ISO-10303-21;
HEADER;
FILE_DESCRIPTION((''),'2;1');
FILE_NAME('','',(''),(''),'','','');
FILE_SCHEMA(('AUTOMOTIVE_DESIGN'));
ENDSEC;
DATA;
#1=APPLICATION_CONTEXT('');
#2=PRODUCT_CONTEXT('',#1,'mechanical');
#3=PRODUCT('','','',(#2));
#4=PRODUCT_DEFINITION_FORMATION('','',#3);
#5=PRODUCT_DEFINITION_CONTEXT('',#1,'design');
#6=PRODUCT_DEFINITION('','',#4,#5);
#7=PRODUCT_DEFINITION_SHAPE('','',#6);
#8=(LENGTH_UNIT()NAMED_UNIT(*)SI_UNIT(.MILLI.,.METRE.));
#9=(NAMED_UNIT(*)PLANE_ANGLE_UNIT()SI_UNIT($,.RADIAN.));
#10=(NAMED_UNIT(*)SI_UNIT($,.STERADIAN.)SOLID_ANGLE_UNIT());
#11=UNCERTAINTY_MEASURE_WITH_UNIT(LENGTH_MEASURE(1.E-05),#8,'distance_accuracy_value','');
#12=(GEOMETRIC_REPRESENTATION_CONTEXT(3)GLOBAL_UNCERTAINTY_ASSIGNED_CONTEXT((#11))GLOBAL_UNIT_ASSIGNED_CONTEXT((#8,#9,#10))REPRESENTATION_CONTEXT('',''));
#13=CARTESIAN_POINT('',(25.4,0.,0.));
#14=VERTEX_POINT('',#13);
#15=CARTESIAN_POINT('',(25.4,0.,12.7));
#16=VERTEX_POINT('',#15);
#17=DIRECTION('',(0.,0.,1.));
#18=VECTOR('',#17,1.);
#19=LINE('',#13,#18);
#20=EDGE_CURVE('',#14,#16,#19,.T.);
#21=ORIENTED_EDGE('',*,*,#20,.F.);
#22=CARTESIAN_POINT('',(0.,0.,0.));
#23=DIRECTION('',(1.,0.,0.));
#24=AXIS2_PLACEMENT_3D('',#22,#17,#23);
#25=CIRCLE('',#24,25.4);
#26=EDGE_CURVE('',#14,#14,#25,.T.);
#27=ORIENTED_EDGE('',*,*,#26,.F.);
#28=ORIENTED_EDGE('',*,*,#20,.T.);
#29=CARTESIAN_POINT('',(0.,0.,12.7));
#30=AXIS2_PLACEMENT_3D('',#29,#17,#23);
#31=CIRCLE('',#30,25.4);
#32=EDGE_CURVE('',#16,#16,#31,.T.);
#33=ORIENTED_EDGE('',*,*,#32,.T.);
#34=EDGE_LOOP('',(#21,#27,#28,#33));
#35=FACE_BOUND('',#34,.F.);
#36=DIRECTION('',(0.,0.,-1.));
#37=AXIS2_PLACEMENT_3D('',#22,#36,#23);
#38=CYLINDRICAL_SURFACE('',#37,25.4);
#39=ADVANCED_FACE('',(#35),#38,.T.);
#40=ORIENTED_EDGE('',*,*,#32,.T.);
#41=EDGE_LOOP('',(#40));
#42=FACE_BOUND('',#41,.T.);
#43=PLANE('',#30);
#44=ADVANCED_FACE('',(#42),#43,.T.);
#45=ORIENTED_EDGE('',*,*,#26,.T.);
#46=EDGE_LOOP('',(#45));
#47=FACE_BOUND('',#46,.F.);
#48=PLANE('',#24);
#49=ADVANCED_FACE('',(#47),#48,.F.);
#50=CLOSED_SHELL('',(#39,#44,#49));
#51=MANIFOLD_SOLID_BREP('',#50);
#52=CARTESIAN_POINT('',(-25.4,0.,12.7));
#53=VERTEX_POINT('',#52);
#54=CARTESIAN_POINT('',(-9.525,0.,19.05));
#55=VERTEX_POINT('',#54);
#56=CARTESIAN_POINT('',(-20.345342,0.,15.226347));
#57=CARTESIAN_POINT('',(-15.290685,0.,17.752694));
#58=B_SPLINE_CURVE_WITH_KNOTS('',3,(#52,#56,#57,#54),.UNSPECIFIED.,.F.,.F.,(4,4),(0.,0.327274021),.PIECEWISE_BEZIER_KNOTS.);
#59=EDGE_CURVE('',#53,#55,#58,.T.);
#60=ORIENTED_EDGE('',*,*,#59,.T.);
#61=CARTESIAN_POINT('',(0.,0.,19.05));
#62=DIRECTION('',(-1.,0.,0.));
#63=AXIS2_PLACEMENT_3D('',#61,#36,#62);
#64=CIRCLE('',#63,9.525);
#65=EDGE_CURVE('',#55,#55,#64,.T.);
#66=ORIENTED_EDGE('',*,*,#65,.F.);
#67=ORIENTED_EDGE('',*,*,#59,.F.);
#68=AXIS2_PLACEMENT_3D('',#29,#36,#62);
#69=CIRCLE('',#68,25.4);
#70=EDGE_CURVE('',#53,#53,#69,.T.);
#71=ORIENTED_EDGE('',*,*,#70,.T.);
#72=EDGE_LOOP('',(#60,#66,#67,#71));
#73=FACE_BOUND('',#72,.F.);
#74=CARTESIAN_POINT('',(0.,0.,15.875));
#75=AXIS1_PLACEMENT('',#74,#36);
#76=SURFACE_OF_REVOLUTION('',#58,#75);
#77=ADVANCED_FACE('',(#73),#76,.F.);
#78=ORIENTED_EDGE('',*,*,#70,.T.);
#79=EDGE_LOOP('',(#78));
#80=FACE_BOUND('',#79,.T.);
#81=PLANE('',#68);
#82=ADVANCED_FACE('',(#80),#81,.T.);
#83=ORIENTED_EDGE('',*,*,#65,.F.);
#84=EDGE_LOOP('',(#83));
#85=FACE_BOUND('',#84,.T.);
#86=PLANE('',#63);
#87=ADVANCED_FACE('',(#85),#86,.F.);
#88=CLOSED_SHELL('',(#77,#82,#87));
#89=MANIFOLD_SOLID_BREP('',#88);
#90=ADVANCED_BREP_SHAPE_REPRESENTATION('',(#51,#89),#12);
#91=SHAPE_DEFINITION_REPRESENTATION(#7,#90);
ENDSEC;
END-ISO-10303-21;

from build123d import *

# Parameters (mm, degrees)
F0_R     = 25.4
F1_DEPTH = 12.7


with BuildPart() as f1:
    # F0 (on Top) → F1 (new body)
    with BuildSketch(Plane.XY):
        Circle(F0_R)
    extrude(amount=F1_DEPTH)


with BuildPart() as f3:
    # F2 (on Front) → F3 (revolve)
    with BuildSketch(Plane.XZ):
        with BuildLine():
            add(Edge.make_bspline(
                [(-25.4, 12.7), (-20.3453424477, 15.2263469596), (-15.2906848954, 17.7526939191), (-9.525, 19.05)],
                knots=[0, 0, 0, 0, 0.3272740211, 0.3272740211, 0.3272740211, 0.3272740211], degree=3))
            Line((-25.4, 12.7), (-9.525, 12.7))
            Line((-9.525, 12.7), (0, 12.7))
            Line((0, 12.7), (0, 19.05))
            Line((0, 19.05), (-9.525, 19.05))
        make_face()
    revolve(axis=Axis((0, 0, 15.875), (0, 0, -1)))


solid = Compound([f1.part, f3.part])
